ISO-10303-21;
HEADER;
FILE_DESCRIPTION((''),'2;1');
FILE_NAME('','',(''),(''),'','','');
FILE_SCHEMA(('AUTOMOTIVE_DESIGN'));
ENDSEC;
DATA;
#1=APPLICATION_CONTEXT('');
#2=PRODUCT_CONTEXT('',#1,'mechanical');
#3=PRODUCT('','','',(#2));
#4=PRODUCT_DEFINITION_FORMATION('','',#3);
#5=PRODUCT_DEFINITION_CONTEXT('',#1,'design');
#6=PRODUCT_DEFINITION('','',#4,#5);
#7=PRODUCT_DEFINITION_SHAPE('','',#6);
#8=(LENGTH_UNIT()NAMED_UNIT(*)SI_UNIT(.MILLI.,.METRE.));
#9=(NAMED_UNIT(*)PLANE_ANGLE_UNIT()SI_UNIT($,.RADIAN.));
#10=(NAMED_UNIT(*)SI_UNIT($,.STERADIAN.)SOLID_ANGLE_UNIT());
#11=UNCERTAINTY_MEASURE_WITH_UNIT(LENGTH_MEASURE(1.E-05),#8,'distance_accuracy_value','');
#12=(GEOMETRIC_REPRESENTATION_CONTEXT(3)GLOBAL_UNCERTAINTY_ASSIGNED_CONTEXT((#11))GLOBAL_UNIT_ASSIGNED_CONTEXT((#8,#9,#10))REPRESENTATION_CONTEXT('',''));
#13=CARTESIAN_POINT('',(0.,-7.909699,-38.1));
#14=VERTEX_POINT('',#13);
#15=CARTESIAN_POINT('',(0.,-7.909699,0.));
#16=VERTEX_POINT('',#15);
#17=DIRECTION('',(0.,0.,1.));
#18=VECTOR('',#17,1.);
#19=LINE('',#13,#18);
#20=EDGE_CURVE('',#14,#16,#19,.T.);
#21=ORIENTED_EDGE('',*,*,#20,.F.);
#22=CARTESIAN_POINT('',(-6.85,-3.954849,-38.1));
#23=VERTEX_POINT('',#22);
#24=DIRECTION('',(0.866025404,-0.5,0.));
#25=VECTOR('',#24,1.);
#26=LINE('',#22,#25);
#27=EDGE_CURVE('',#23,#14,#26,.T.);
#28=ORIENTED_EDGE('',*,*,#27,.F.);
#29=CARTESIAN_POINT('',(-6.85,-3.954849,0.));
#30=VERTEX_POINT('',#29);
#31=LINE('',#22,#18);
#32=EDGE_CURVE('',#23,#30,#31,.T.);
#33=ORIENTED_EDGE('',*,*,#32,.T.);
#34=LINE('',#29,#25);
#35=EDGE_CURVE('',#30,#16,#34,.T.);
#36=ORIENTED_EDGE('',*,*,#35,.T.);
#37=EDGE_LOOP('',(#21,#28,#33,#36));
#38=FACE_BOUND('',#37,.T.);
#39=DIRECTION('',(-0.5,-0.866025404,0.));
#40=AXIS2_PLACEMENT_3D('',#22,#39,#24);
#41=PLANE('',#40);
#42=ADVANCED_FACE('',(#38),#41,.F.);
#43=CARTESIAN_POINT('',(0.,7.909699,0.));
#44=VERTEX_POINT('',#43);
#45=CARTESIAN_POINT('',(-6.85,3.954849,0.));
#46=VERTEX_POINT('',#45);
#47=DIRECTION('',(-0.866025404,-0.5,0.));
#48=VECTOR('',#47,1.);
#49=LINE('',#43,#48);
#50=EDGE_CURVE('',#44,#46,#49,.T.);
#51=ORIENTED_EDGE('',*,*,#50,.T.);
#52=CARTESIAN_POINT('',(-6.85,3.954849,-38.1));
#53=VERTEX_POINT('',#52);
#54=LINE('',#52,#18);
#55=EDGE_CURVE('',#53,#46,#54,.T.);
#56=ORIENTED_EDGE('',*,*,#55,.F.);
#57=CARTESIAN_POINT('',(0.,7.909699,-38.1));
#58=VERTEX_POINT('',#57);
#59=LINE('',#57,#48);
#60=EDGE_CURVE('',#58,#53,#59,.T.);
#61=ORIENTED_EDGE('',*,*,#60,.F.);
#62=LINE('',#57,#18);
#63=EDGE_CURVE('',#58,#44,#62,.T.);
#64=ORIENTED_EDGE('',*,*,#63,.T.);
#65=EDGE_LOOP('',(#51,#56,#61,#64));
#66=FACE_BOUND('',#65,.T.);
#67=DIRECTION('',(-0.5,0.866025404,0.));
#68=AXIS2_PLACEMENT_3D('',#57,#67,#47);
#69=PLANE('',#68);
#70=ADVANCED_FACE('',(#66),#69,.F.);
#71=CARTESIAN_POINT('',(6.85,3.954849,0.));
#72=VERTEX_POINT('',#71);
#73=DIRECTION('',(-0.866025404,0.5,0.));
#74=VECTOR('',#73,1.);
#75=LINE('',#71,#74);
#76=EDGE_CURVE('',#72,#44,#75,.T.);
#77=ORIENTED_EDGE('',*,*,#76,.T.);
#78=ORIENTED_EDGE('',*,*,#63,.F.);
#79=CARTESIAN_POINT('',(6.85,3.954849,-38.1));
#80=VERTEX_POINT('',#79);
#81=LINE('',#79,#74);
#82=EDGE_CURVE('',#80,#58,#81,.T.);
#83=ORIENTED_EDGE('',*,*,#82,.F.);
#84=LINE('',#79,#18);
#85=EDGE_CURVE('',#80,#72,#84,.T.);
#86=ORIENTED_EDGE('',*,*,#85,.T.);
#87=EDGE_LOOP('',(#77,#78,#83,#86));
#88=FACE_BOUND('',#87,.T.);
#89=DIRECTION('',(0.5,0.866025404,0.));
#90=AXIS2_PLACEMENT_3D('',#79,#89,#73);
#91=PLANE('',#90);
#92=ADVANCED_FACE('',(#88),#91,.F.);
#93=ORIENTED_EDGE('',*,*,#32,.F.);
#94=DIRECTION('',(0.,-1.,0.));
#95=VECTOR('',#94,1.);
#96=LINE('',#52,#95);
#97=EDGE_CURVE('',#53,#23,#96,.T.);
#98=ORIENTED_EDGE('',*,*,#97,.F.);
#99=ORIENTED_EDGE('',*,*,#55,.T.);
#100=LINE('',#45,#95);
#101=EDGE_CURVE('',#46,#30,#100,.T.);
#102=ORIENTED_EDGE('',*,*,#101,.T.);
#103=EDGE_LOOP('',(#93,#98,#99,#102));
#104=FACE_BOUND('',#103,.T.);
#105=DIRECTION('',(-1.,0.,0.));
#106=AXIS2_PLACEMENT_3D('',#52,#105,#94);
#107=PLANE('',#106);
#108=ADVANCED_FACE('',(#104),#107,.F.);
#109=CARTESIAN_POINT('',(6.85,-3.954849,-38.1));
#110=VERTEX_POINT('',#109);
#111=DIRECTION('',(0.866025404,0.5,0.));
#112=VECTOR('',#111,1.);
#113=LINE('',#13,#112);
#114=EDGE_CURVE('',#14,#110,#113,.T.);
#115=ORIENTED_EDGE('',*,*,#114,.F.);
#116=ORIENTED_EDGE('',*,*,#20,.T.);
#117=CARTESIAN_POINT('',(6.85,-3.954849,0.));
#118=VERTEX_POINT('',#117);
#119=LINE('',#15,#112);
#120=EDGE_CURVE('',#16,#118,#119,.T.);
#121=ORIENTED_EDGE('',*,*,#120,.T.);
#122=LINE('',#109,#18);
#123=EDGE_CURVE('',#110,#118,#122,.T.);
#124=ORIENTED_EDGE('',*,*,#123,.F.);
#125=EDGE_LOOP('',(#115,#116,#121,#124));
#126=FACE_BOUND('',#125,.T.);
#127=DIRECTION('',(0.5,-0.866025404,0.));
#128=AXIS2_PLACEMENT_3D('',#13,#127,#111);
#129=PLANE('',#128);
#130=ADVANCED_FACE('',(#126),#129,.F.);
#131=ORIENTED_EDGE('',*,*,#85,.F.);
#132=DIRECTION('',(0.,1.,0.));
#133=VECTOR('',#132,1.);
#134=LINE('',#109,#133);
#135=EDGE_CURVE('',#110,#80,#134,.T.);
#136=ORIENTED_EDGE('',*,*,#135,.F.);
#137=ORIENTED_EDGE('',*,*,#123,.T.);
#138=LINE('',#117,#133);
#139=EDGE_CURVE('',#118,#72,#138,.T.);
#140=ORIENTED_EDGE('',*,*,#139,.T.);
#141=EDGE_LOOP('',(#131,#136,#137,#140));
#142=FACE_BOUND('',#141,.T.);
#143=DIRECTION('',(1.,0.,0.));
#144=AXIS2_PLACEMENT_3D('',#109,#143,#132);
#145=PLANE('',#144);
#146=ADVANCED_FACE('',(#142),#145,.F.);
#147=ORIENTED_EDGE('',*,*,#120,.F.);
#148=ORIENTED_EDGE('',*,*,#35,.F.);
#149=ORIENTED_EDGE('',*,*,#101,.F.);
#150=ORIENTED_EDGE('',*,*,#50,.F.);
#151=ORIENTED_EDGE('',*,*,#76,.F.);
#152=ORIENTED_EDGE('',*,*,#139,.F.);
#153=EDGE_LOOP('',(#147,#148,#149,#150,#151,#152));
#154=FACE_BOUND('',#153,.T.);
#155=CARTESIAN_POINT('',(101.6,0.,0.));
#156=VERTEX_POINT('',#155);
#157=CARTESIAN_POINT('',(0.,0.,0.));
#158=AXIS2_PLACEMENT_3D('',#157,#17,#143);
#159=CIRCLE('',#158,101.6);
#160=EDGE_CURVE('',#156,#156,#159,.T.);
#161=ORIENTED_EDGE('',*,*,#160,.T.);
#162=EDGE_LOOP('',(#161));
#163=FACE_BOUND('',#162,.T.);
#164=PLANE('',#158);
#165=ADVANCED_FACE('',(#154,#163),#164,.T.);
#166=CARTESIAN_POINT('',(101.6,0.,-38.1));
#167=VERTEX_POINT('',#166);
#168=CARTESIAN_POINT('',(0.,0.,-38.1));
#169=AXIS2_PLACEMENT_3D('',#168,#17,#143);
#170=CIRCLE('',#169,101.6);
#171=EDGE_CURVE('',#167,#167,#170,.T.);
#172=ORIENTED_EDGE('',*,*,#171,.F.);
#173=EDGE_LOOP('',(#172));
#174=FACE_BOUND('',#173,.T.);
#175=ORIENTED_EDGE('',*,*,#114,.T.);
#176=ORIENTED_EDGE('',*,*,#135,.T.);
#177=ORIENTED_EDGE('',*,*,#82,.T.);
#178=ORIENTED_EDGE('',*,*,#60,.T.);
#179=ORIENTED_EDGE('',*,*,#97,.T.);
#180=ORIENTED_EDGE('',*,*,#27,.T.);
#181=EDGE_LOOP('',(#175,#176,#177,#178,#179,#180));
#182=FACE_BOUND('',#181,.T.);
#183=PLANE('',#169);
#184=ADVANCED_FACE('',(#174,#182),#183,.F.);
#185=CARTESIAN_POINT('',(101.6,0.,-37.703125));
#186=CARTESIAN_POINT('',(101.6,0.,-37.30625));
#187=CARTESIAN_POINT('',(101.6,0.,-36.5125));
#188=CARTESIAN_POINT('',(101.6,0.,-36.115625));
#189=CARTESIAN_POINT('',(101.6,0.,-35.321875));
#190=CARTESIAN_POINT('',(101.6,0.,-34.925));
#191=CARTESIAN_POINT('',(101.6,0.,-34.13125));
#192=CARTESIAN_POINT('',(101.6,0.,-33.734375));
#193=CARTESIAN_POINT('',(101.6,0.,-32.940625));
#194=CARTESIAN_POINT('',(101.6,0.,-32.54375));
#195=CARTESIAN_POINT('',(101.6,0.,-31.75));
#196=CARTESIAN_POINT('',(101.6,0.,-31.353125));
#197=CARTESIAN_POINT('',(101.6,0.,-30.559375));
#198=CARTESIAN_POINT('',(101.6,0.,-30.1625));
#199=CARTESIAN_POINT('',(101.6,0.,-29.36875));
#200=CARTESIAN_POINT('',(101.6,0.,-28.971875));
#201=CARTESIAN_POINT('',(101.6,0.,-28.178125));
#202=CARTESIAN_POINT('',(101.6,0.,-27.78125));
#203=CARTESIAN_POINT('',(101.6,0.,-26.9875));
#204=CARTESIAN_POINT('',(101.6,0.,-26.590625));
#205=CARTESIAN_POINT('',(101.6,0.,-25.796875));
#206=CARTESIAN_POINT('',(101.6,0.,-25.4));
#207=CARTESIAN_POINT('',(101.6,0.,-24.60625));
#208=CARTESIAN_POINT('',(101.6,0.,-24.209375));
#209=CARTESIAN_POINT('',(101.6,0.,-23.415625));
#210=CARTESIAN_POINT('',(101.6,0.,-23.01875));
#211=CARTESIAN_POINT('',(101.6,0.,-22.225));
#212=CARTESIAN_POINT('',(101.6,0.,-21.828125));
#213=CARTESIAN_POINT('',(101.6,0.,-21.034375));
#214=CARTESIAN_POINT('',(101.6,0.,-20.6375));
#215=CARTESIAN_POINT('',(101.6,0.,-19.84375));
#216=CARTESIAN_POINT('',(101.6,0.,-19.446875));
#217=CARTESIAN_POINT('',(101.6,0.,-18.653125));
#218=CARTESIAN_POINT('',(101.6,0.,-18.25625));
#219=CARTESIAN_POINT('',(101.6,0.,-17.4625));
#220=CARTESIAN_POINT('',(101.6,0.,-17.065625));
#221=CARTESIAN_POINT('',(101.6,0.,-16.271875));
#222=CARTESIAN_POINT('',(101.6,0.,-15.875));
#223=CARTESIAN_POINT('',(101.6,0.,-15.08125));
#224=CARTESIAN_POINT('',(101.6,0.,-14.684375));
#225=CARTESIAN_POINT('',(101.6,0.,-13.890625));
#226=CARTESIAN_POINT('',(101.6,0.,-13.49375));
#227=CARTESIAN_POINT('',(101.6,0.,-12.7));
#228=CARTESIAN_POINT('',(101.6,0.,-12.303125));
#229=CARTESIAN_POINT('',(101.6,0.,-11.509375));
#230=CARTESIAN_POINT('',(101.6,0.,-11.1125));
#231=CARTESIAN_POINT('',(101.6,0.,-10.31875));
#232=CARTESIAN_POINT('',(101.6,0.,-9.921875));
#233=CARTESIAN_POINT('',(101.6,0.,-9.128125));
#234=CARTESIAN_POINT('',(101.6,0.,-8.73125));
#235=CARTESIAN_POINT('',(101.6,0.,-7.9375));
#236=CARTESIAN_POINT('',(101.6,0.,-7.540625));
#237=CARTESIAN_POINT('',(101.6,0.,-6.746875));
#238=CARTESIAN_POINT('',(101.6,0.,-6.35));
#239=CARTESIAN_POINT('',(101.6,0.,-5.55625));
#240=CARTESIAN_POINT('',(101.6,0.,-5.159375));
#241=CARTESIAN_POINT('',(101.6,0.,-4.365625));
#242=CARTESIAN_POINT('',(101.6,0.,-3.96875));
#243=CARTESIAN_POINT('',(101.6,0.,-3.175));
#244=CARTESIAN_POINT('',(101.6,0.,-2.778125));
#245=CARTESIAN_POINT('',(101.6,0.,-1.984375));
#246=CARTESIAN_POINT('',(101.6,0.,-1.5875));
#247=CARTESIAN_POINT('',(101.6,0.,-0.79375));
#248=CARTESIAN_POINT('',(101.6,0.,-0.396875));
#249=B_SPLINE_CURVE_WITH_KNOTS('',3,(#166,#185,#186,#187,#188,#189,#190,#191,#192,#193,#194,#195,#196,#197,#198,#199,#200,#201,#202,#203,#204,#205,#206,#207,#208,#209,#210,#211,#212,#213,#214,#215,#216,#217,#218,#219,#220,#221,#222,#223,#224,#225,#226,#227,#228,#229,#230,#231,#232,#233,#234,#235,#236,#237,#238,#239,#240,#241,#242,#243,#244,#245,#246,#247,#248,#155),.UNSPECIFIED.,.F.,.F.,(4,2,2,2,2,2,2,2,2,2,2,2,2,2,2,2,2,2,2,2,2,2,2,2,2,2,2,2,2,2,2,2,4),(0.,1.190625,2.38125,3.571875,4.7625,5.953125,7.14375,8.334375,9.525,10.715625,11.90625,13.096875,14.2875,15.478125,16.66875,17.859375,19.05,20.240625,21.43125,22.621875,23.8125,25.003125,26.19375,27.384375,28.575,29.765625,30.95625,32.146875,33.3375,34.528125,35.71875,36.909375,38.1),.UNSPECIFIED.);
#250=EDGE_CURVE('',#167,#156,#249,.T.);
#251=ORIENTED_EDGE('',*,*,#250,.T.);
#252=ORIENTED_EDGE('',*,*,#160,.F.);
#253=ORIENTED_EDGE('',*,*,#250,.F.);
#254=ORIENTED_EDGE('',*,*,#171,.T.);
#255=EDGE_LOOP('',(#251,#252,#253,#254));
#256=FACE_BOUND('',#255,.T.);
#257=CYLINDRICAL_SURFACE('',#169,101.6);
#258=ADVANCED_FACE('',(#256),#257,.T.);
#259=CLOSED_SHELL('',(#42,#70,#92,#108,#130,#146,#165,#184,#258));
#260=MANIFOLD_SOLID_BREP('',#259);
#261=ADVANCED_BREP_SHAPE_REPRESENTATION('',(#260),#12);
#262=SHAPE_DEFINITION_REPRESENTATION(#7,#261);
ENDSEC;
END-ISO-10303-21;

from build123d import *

# Parameters (mm, degrees)
SKETCH1_R           = 101.6
BOSS_EXTRUDE1_DEPTH = 38.1


with BuildPart() as part:
    # Sketch1 → Boss-Extrude1 (new body)
    with BuildSketch(Plane.XY):
        Circle(SKETCH1_R)
        Polygon((0, 7.909698688), (-6.85, 3.954849344), (-6.85, -3.954849344), (0, -7.909698688), (6.85, -3.954849344), (6.85, 3.954849344), align=None, mode=Mode.SUBTRACT)
    extrude(amount=-BOSS_EXTRUDE1_DEPTH)


solid = part.part
